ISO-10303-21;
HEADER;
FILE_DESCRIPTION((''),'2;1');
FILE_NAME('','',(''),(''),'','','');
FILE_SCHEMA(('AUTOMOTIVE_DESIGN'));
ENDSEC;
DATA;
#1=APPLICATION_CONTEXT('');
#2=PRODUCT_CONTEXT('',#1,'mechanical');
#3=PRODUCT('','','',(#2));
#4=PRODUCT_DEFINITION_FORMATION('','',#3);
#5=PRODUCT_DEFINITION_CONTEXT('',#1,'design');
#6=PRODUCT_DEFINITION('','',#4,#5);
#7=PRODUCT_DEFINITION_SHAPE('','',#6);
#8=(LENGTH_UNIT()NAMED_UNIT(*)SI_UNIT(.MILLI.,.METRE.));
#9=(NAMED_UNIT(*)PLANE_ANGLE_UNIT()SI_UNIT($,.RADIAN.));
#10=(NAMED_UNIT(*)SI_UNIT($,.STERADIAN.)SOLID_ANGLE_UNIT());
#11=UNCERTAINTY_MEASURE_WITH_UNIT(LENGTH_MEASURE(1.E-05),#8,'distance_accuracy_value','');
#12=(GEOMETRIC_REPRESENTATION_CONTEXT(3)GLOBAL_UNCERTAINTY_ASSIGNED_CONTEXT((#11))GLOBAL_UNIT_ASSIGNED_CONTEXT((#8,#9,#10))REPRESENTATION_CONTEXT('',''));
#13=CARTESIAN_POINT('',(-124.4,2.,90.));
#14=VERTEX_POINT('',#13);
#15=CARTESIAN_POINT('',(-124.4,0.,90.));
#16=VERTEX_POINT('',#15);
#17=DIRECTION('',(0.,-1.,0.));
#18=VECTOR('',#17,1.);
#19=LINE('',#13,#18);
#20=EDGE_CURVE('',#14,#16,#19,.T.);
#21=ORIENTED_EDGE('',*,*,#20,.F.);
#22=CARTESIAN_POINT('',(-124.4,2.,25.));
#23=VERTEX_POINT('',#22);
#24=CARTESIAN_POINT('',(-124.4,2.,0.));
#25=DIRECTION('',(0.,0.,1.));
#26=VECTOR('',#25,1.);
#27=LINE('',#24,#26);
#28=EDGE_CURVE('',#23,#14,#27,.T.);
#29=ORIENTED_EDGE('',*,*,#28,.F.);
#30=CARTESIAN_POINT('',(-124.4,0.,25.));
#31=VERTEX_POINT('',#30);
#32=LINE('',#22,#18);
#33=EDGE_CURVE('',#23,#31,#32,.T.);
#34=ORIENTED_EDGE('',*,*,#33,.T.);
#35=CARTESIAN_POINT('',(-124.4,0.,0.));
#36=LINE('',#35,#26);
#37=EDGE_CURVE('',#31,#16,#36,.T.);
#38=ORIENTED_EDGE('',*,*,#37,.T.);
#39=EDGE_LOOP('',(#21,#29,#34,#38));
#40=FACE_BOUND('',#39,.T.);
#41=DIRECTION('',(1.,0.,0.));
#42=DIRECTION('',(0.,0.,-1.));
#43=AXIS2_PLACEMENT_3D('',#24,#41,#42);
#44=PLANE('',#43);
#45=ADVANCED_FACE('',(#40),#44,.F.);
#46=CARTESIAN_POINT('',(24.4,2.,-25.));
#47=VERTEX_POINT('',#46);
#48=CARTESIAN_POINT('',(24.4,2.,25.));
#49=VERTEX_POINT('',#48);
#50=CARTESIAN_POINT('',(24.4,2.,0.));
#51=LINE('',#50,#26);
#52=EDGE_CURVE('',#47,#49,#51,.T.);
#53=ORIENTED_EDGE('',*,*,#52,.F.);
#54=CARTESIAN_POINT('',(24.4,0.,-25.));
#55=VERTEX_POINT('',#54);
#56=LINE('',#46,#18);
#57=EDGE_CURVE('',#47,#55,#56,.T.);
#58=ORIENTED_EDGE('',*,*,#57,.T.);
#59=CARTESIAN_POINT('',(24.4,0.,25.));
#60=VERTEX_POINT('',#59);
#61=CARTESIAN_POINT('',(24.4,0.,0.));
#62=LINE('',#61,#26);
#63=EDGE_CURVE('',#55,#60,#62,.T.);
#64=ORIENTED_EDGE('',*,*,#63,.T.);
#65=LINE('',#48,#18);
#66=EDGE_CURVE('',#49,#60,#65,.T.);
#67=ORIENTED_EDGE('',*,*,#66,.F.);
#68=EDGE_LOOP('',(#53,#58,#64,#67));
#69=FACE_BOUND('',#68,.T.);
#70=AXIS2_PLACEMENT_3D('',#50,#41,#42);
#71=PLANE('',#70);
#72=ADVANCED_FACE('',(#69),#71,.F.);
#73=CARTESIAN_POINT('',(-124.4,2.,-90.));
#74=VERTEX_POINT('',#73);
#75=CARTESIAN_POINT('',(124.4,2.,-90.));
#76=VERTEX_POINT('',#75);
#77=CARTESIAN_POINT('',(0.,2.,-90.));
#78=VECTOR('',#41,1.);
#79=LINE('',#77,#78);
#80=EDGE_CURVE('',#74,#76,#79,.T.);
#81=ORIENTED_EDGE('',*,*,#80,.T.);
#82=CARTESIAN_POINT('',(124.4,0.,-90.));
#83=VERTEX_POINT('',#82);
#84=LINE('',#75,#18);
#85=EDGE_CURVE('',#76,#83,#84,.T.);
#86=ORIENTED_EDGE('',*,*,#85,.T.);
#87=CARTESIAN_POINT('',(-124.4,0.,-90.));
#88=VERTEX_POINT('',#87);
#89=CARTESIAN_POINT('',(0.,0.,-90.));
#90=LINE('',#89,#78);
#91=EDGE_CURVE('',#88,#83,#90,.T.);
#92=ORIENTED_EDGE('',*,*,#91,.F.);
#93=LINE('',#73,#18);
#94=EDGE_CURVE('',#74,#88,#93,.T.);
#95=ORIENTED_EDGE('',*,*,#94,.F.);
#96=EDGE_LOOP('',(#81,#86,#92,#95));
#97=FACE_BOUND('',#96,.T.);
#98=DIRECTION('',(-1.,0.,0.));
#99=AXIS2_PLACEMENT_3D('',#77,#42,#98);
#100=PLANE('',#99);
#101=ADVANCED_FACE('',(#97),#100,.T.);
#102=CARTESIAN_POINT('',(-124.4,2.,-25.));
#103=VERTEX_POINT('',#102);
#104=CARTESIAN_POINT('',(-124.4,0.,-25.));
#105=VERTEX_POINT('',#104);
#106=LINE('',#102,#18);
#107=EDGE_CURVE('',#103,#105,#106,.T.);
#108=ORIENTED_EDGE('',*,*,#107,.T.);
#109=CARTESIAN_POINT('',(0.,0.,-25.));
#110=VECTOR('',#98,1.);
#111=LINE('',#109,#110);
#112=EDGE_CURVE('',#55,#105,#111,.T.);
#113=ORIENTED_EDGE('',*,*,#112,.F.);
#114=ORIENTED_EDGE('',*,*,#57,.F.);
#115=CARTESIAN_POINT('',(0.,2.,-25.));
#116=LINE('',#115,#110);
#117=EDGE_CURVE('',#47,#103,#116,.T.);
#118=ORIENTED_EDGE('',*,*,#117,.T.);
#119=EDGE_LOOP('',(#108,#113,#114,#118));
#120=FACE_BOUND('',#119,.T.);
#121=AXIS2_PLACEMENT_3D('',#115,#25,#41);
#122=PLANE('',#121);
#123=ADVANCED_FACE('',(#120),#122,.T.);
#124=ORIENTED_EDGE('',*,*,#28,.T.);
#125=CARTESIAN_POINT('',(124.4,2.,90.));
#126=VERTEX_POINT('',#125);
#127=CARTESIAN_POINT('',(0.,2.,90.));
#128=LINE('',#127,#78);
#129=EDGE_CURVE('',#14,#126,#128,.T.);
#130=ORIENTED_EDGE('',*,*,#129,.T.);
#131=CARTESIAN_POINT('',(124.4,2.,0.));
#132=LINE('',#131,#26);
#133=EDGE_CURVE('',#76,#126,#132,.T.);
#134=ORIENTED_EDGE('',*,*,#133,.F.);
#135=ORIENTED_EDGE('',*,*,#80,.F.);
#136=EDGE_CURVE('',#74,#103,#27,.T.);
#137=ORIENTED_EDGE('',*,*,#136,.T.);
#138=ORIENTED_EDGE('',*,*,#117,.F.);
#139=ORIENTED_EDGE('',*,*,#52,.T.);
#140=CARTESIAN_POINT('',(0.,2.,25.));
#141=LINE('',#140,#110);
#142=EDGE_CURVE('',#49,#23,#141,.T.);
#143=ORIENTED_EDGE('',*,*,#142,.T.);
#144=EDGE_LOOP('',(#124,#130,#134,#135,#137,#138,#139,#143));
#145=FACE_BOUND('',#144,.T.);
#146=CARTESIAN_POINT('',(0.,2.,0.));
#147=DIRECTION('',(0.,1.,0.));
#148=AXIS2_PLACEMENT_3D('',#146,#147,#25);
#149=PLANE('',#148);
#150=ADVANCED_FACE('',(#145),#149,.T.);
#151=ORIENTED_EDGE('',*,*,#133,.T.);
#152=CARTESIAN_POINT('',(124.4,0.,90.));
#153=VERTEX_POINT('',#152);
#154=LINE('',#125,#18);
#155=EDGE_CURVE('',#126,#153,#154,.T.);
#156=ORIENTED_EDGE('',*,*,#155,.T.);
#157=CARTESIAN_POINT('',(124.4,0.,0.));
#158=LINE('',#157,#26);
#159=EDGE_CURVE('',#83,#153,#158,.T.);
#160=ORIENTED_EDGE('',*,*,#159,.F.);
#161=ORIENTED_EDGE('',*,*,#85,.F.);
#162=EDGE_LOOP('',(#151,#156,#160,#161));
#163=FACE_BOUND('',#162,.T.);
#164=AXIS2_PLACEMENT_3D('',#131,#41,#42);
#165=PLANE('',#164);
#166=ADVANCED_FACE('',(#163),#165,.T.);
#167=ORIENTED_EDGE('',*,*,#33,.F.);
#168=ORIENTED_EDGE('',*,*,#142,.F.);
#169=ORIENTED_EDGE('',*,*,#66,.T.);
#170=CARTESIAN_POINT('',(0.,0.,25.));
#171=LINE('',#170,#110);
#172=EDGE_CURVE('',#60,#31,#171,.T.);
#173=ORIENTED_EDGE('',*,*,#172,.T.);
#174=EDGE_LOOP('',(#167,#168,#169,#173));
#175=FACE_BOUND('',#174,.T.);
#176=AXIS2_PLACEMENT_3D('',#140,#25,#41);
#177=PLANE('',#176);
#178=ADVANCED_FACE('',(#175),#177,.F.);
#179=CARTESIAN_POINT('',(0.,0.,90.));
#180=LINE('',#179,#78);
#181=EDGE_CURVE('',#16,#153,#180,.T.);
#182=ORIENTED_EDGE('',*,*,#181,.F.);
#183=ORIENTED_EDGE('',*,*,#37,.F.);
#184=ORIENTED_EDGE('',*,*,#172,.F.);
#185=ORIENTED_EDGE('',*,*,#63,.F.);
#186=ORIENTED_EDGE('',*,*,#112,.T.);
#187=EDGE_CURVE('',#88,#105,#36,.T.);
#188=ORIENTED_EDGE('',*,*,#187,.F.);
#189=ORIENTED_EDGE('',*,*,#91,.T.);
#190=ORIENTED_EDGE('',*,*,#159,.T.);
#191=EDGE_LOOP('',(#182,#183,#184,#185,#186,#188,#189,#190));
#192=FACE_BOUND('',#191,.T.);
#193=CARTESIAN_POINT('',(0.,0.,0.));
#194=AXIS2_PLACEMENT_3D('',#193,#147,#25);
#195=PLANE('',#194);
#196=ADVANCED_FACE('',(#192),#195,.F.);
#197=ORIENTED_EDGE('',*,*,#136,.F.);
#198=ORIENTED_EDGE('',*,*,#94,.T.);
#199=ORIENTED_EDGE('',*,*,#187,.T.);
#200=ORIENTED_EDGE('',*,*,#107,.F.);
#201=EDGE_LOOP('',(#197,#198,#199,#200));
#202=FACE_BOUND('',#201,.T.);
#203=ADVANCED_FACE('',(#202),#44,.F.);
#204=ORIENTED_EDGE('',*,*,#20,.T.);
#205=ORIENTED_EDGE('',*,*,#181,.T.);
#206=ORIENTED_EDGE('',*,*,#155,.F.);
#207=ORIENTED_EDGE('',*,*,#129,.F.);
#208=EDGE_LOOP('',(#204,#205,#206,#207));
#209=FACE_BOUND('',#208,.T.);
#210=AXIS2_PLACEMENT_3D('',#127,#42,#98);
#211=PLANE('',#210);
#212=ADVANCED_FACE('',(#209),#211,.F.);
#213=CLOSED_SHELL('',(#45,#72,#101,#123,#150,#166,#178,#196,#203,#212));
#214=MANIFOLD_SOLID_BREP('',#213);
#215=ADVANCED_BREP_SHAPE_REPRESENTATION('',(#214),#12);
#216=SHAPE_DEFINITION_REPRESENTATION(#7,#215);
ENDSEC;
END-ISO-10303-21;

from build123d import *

# Parameters (mm, degrees)
BOSS_EXTRUDE1_DEPTH = 2


with BuildPart() as part:
    # Sketch1 → Boss-Extrude1 (new body)
    with BuildSketch(Plane(origin=(0, 0, 0), x_dir=(1, 0, 0), z_dir=(0, 1, 0))):
        Polygon((124.4, 90), (-124.4, 90), (-124.4, 25), (24.4, 25), (24.4, -25), (-124.4, -25), (-124.4, -90), (124.4, -90), align=None)
    extrude(amount=BOSS_EXTRUDE1_DEPTH)


solid = part.part
